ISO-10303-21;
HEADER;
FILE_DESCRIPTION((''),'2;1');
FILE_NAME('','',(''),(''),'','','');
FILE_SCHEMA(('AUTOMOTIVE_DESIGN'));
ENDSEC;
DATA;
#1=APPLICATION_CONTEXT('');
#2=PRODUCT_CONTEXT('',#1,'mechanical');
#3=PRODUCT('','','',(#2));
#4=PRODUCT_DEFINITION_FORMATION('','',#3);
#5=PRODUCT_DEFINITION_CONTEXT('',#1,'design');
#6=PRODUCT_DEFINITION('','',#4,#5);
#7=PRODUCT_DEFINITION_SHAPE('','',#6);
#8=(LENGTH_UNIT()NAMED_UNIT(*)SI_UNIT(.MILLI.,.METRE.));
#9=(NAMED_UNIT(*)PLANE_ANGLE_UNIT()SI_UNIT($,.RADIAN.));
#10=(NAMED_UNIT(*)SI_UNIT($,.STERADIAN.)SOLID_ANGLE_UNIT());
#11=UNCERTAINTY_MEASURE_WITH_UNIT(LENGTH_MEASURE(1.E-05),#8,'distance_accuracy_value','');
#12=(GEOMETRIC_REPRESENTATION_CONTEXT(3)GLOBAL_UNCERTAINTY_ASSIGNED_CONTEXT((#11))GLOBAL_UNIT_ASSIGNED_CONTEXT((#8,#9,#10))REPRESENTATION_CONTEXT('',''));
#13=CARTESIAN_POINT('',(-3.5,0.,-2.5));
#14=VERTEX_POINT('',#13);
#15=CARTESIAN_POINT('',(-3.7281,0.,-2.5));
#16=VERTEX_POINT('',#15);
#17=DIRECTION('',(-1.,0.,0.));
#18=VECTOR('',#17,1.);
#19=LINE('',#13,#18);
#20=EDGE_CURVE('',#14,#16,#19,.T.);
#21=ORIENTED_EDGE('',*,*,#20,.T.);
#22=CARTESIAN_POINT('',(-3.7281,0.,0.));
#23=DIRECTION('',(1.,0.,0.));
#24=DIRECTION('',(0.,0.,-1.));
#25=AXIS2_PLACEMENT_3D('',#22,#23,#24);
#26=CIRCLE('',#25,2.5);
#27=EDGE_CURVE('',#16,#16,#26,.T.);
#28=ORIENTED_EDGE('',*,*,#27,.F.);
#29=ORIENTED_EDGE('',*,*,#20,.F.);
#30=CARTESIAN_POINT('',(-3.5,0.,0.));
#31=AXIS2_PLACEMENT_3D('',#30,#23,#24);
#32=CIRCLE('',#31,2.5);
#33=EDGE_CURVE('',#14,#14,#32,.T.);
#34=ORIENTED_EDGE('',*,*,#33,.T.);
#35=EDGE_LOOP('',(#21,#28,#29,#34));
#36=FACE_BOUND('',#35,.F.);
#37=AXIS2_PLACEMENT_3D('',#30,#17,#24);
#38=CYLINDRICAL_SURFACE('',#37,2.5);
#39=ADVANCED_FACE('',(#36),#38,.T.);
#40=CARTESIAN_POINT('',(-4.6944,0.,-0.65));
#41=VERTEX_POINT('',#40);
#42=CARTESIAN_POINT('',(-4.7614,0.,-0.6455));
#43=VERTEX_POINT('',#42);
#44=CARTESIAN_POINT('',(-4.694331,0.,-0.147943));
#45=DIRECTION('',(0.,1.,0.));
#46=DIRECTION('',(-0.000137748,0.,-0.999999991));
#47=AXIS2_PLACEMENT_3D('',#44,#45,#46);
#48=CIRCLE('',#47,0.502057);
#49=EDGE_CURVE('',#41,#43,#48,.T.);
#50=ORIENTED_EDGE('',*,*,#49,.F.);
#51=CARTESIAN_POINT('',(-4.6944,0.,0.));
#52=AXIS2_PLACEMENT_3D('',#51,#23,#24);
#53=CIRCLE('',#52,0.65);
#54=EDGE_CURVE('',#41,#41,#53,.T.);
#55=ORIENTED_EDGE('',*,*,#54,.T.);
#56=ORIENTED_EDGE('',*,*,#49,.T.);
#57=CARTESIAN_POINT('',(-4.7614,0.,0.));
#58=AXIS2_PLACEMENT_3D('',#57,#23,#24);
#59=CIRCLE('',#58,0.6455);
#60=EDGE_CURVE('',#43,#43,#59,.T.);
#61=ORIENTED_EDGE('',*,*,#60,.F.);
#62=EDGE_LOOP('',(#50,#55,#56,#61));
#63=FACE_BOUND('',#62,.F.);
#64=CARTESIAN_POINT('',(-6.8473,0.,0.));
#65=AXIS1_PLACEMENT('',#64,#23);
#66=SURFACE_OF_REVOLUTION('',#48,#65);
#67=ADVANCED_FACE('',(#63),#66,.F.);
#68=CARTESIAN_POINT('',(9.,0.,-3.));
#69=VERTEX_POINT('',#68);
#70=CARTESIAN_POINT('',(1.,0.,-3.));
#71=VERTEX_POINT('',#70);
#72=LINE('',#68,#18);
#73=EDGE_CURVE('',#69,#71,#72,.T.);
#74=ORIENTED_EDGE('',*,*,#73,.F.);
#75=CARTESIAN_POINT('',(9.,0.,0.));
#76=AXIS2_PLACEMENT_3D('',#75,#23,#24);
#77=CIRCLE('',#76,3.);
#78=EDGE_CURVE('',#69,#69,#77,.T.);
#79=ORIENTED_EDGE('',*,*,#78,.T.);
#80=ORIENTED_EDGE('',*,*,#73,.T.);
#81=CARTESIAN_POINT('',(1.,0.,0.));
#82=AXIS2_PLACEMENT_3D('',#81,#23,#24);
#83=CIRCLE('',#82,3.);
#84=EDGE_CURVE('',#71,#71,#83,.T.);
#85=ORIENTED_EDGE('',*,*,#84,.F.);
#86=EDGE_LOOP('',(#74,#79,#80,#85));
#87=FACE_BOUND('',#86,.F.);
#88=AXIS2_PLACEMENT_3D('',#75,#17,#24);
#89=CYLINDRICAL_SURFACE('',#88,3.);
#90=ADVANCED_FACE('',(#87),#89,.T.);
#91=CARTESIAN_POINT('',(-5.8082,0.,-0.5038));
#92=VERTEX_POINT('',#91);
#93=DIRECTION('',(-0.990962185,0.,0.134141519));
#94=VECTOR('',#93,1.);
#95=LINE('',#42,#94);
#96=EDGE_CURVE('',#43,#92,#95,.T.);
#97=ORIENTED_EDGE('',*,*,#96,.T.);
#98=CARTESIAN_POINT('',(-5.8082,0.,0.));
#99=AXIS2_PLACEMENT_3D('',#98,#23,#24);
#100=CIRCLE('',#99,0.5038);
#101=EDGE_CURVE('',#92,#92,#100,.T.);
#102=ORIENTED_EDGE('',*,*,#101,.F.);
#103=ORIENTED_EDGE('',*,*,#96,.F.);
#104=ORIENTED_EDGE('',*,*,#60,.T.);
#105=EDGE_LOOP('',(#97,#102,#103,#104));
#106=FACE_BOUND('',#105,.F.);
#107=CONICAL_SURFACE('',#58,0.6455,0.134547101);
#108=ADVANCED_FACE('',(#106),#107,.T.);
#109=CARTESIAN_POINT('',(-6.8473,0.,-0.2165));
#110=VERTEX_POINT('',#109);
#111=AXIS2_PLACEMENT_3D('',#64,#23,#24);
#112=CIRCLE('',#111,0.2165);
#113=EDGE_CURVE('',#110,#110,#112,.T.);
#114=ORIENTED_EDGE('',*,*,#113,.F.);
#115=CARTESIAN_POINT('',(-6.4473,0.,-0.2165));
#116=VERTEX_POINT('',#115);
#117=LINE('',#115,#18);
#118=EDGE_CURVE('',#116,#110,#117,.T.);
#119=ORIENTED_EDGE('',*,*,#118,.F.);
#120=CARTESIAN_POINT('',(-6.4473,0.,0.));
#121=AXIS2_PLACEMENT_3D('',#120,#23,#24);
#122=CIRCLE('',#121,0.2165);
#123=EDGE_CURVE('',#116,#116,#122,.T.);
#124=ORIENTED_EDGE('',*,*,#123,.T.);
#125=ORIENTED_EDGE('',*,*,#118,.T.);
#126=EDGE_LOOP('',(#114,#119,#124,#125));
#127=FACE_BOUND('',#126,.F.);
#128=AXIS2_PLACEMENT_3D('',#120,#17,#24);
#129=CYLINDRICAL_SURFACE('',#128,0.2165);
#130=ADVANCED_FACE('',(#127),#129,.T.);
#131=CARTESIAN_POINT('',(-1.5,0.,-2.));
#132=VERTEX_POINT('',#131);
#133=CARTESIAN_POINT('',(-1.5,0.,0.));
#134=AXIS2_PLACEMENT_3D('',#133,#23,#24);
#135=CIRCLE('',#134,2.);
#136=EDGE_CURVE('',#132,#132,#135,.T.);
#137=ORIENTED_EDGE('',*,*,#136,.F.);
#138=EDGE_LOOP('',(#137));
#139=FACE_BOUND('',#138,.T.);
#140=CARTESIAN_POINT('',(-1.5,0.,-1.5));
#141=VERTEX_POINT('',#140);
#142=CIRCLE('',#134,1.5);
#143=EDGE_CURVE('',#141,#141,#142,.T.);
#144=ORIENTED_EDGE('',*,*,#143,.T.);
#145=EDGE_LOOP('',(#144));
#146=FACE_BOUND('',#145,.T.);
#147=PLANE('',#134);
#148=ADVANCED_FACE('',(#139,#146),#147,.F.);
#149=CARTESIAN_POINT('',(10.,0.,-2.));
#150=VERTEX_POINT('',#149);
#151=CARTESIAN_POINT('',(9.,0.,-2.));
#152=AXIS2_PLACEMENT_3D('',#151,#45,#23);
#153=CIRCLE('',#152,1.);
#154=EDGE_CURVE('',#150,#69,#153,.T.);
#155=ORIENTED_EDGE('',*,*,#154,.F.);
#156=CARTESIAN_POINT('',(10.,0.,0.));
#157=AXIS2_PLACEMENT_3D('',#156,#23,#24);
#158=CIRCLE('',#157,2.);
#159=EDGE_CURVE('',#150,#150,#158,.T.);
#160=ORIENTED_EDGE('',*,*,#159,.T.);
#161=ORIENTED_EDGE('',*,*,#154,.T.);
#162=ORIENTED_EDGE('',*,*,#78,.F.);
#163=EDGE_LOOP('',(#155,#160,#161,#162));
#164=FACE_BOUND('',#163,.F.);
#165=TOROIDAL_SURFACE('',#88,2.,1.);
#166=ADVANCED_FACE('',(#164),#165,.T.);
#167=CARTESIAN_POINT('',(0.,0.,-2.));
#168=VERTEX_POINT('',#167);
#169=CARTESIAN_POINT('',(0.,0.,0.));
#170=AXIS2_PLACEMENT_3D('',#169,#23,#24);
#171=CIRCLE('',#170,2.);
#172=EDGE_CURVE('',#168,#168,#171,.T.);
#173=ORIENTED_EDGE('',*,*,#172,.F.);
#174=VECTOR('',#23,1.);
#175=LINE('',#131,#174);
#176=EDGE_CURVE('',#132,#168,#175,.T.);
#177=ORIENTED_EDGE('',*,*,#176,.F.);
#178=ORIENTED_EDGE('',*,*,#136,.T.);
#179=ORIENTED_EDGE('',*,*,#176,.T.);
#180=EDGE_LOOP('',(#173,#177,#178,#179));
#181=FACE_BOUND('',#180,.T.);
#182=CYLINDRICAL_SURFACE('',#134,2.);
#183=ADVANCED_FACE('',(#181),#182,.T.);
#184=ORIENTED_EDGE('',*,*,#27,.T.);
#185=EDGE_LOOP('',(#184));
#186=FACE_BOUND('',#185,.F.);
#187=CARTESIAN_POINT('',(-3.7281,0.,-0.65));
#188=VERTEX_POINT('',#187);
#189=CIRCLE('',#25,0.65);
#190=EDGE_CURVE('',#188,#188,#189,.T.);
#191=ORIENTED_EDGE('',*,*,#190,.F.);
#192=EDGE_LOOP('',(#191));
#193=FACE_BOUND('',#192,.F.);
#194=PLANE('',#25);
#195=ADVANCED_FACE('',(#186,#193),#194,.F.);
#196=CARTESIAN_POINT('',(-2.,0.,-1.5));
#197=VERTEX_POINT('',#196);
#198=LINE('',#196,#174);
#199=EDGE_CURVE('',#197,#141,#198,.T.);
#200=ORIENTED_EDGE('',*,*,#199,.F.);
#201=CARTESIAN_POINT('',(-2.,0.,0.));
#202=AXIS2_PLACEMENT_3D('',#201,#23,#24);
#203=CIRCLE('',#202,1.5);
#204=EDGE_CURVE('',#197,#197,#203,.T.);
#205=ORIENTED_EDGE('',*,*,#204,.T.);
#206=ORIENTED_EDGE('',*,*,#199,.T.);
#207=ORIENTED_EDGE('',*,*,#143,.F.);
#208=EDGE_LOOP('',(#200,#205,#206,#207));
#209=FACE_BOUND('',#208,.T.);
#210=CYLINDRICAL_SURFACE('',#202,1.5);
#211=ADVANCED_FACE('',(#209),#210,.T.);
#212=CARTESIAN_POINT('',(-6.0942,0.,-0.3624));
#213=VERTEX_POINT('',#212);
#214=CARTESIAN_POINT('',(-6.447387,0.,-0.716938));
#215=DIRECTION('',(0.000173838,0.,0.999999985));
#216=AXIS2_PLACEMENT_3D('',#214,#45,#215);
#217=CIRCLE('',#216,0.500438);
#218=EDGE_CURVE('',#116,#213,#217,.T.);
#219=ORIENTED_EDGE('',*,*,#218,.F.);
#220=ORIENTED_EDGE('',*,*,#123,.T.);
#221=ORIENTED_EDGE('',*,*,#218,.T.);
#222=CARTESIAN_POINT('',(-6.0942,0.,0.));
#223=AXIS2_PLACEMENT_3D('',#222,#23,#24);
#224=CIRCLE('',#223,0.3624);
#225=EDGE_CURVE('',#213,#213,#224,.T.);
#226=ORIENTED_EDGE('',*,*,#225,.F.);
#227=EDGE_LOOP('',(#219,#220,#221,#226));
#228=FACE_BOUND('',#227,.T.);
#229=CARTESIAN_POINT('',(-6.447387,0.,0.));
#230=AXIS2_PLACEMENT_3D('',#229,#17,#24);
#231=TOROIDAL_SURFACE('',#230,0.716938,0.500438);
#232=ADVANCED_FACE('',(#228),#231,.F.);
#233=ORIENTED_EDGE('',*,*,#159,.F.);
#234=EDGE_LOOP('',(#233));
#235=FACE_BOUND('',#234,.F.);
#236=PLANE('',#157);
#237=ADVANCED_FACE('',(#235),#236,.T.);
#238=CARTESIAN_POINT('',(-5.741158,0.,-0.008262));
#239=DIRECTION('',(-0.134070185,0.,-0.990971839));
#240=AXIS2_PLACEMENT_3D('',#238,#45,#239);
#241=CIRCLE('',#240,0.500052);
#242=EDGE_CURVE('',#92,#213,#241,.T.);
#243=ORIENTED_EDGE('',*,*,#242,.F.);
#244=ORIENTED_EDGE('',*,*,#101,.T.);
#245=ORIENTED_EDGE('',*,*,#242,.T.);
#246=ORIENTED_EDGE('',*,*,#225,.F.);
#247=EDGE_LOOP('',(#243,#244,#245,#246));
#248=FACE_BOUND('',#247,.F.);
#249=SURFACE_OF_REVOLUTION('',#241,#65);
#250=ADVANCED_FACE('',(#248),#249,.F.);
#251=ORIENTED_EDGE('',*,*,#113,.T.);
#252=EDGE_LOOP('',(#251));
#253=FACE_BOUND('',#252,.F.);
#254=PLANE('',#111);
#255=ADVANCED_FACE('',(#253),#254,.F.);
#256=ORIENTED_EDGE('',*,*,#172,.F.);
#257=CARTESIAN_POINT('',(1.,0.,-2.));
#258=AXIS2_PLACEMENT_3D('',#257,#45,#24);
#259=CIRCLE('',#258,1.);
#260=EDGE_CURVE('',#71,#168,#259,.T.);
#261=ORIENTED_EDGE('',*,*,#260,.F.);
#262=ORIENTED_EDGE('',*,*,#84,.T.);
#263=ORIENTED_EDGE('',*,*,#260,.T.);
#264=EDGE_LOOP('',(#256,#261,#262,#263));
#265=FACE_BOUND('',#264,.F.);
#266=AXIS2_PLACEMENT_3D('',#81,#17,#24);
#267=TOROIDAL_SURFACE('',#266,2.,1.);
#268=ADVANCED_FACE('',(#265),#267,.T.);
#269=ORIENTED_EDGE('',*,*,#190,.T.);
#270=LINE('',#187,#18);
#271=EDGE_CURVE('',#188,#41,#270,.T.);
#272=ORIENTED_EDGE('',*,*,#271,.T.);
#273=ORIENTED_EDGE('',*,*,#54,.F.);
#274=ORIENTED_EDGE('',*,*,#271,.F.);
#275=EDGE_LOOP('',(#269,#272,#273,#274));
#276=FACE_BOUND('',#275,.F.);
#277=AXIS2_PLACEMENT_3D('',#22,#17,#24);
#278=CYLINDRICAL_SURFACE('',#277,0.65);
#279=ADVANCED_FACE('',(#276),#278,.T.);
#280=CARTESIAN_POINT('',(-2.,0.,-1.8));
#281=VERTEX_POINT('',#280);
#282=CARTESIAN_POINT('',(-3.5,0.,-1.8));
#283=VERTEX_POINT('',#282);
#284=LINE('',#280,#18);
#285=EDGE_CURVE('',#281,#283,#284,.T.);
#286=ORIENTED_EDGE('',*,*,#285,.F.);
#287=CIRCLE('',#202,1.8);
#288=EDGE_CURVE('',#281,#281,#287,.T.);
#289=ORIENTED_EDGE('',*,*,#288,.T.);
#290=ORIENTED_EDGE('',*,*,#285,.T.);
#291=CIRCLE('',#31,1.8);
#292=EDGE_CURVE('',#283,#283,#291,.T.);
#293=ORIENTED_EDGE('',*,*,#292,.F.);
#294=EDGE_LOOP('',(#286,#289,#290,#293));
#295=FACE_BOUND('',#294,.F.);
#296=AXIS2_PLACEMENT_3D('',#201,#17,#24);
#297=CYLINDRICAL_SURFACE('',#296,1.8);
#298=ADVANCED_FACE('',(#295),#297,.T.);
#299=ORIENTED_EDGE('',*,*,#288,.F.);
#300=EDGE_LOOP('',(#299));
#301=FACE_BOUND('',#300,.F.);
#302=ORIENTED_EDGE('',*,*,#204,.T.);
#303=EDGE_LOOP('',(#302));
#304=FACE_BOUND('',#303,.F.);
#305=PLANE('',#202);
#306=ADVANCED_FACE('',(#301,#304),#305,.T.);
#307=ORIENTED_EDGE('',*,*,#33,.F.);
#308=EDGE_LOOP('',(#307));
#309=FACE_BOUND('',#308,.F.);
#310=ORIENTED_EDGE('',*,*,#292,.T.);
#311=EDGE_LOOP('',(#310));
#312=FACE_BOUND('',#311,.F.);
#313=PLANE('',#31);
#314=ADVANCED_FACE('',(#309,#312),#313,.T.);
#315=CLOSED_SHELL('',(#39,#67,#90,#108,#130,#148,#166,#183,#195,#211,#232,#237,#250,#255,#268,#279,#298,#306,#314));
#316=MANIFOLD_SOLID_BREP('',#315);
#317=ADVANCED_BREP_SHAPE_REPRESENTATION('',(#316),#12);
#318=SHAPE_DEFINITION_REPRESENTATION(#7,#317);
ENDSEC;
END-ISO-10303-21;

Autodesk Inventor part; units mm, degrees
ref_plane "YZ Plane" through (0, 0, 0) normal (1, 0, 0) x (0, 1, 0)
ref_plane "XZ Plane" through (0, 0, 0) normal (0, 1, 0) x (-1, 0, 0)
ref_plane "XY Plane" through (0, 0, 0) normal (0, 0, 1) x (1, 0, 0)
sketch "Sketch2" plane through (0, 0, 0) normal (0, 1, 0) x (-1, 0, 0)
  line L0 (-1, 3) -> (-9, 3)
  line L1 (-10, 2) -> (-10, -2)
  line L2 (-9, -3) -> (-1, -3)
  line L3 (0, 0) -> (0, 2)
  arc A0 (-10, -2) -> (-9, -3) centre (-9, -2) ccw
  arc A1 (-9, 3) -> (-10, 2) centre (-9, 2) ccw
  arc A2 (-1, -3) -> (0, -2) centre (-1, -2) ccw
  arc A3 (0, 2) -> (-1, 3) centre (-1, 2) ccw
  line L4 (0, 2) -> (1.5, 2)
  line L5 (1.5, -2) -> (0, -2)
  line L6 (0, 0) -> (0, 2)
  line L7 (1.5, 1.4302) -> (2, 1.4302)
  line L8 (2, 1.4302) -> (2, 0)
  line L9 (2, -1.5) -> (1.5, -1.5)
  line L10 (1.5, 0) -> (1.5, 1.4302)
  line L11 (3.5, 1.8) -> (2, 1.8)
  line L12 (2, -1.8) -> (3.5, -1.8)
  line L13 (3.5, 0) -> (3.5, 1.8)
  line L14 (3.7281, 2.5) -> (3.5, 2.5)
  line L15 (3.5, -2.5) -> (3.7281, -2.5)
  line L16 (4.7281, 0.65) -> (3.7281, 0.65)
  line L17 (3.7281, 0.65) -> (3.7281, 0)
  line L18 (3.7281, -0.65) -> (4.6944, -0.65)
  line L19 (4.7614, -0.6455) -> (5.8082, -0.5038)
  line L20 (6.0942, -0.3624) -> (6.0942, -0.3624)
  line L21 (6.4473, -0.2165) -> (6.8473, -0.2165)
  line L22 (6.8473, -0.2165) -> (6.8473, 0)
  arc A4 (6.4473, -0.2165) -> (6.0942, -0.3624) centre (6.4473, -0.7165) ccw
  arc A5 (5.8082, -0.5038) -> (6.0942, -0.3624) centre (5.7412, -0.0084) ccw
  arc A6 (4.6944, -0.65) -> (4.7614, -0.6455) centre (4.6944, -0.15) ccw
  line L23 (6.8473, 0) -> (-10, 0)
  line L24 (1.5, 2) -> (1.5, 0)
  line L25 (1.5, -1.5) -> (1.5, -2)
  line L26 (2, 1.8) -> (2, 0)
  line L27 (2, -1.5) -> (2, -1.8)
  line L28 (3.5, 2.5) -> (3.5, 0)
  line L29 (3.5, -1.8) -> (3.5, -2.5)
  line L30 (3.7281, -2.5) -> (3.7281, -0.65)
  line L31 (3.7281, 0.65) -> (3.7281, 2.5)
  line L32 (4.7281, -0.65) -> (4.7281, -0.6489)
  line L33 (4.7281, 0) -> (4.7281, 0.65)
  point P0 (0, 0)
  point P1 (0, 3)
  point P2 (-10, -3)
  point P3 (0, -3)
  point P4 (0, -2)
  dimension "d0" = 3
  dimension "d1" = 6
  dimension "d2" = 10
  dimension "d3" = 1
  dimension "d4" = 1.5
  dimension "d5" = 4
  dimension "d6" = 3.6
  dimension "d7" = 1.5
  dimension "d8" = 0.5
  dimension "d9" = 1.8
  dimension "d10" = 1.5
  dimension "d11" = 5
  dimension "d12" = 2.5
  dimension "d13" = 1
  dimension "d14" = 1.3
  dimension "d15" = 0.65
  dimension "d16" = 0.5
  dimension "d18" = 0.4
  dimension "d56" = 3.3473
  dimension "d59" = 1.6467
  dimension "d63" = 6.8473
  dimension "d64" = 1.7835
revolve "Revolution1" add sketch "Sketch2" angle 360 about axis through (-6.8473, 0, 0) along (1, 0, 0) contours L23 L22 L21 A4 A5 L19 A6 L18 L30 L15 L29 L12 L27 L9 L25 L5 A2 L2 A0 L1
